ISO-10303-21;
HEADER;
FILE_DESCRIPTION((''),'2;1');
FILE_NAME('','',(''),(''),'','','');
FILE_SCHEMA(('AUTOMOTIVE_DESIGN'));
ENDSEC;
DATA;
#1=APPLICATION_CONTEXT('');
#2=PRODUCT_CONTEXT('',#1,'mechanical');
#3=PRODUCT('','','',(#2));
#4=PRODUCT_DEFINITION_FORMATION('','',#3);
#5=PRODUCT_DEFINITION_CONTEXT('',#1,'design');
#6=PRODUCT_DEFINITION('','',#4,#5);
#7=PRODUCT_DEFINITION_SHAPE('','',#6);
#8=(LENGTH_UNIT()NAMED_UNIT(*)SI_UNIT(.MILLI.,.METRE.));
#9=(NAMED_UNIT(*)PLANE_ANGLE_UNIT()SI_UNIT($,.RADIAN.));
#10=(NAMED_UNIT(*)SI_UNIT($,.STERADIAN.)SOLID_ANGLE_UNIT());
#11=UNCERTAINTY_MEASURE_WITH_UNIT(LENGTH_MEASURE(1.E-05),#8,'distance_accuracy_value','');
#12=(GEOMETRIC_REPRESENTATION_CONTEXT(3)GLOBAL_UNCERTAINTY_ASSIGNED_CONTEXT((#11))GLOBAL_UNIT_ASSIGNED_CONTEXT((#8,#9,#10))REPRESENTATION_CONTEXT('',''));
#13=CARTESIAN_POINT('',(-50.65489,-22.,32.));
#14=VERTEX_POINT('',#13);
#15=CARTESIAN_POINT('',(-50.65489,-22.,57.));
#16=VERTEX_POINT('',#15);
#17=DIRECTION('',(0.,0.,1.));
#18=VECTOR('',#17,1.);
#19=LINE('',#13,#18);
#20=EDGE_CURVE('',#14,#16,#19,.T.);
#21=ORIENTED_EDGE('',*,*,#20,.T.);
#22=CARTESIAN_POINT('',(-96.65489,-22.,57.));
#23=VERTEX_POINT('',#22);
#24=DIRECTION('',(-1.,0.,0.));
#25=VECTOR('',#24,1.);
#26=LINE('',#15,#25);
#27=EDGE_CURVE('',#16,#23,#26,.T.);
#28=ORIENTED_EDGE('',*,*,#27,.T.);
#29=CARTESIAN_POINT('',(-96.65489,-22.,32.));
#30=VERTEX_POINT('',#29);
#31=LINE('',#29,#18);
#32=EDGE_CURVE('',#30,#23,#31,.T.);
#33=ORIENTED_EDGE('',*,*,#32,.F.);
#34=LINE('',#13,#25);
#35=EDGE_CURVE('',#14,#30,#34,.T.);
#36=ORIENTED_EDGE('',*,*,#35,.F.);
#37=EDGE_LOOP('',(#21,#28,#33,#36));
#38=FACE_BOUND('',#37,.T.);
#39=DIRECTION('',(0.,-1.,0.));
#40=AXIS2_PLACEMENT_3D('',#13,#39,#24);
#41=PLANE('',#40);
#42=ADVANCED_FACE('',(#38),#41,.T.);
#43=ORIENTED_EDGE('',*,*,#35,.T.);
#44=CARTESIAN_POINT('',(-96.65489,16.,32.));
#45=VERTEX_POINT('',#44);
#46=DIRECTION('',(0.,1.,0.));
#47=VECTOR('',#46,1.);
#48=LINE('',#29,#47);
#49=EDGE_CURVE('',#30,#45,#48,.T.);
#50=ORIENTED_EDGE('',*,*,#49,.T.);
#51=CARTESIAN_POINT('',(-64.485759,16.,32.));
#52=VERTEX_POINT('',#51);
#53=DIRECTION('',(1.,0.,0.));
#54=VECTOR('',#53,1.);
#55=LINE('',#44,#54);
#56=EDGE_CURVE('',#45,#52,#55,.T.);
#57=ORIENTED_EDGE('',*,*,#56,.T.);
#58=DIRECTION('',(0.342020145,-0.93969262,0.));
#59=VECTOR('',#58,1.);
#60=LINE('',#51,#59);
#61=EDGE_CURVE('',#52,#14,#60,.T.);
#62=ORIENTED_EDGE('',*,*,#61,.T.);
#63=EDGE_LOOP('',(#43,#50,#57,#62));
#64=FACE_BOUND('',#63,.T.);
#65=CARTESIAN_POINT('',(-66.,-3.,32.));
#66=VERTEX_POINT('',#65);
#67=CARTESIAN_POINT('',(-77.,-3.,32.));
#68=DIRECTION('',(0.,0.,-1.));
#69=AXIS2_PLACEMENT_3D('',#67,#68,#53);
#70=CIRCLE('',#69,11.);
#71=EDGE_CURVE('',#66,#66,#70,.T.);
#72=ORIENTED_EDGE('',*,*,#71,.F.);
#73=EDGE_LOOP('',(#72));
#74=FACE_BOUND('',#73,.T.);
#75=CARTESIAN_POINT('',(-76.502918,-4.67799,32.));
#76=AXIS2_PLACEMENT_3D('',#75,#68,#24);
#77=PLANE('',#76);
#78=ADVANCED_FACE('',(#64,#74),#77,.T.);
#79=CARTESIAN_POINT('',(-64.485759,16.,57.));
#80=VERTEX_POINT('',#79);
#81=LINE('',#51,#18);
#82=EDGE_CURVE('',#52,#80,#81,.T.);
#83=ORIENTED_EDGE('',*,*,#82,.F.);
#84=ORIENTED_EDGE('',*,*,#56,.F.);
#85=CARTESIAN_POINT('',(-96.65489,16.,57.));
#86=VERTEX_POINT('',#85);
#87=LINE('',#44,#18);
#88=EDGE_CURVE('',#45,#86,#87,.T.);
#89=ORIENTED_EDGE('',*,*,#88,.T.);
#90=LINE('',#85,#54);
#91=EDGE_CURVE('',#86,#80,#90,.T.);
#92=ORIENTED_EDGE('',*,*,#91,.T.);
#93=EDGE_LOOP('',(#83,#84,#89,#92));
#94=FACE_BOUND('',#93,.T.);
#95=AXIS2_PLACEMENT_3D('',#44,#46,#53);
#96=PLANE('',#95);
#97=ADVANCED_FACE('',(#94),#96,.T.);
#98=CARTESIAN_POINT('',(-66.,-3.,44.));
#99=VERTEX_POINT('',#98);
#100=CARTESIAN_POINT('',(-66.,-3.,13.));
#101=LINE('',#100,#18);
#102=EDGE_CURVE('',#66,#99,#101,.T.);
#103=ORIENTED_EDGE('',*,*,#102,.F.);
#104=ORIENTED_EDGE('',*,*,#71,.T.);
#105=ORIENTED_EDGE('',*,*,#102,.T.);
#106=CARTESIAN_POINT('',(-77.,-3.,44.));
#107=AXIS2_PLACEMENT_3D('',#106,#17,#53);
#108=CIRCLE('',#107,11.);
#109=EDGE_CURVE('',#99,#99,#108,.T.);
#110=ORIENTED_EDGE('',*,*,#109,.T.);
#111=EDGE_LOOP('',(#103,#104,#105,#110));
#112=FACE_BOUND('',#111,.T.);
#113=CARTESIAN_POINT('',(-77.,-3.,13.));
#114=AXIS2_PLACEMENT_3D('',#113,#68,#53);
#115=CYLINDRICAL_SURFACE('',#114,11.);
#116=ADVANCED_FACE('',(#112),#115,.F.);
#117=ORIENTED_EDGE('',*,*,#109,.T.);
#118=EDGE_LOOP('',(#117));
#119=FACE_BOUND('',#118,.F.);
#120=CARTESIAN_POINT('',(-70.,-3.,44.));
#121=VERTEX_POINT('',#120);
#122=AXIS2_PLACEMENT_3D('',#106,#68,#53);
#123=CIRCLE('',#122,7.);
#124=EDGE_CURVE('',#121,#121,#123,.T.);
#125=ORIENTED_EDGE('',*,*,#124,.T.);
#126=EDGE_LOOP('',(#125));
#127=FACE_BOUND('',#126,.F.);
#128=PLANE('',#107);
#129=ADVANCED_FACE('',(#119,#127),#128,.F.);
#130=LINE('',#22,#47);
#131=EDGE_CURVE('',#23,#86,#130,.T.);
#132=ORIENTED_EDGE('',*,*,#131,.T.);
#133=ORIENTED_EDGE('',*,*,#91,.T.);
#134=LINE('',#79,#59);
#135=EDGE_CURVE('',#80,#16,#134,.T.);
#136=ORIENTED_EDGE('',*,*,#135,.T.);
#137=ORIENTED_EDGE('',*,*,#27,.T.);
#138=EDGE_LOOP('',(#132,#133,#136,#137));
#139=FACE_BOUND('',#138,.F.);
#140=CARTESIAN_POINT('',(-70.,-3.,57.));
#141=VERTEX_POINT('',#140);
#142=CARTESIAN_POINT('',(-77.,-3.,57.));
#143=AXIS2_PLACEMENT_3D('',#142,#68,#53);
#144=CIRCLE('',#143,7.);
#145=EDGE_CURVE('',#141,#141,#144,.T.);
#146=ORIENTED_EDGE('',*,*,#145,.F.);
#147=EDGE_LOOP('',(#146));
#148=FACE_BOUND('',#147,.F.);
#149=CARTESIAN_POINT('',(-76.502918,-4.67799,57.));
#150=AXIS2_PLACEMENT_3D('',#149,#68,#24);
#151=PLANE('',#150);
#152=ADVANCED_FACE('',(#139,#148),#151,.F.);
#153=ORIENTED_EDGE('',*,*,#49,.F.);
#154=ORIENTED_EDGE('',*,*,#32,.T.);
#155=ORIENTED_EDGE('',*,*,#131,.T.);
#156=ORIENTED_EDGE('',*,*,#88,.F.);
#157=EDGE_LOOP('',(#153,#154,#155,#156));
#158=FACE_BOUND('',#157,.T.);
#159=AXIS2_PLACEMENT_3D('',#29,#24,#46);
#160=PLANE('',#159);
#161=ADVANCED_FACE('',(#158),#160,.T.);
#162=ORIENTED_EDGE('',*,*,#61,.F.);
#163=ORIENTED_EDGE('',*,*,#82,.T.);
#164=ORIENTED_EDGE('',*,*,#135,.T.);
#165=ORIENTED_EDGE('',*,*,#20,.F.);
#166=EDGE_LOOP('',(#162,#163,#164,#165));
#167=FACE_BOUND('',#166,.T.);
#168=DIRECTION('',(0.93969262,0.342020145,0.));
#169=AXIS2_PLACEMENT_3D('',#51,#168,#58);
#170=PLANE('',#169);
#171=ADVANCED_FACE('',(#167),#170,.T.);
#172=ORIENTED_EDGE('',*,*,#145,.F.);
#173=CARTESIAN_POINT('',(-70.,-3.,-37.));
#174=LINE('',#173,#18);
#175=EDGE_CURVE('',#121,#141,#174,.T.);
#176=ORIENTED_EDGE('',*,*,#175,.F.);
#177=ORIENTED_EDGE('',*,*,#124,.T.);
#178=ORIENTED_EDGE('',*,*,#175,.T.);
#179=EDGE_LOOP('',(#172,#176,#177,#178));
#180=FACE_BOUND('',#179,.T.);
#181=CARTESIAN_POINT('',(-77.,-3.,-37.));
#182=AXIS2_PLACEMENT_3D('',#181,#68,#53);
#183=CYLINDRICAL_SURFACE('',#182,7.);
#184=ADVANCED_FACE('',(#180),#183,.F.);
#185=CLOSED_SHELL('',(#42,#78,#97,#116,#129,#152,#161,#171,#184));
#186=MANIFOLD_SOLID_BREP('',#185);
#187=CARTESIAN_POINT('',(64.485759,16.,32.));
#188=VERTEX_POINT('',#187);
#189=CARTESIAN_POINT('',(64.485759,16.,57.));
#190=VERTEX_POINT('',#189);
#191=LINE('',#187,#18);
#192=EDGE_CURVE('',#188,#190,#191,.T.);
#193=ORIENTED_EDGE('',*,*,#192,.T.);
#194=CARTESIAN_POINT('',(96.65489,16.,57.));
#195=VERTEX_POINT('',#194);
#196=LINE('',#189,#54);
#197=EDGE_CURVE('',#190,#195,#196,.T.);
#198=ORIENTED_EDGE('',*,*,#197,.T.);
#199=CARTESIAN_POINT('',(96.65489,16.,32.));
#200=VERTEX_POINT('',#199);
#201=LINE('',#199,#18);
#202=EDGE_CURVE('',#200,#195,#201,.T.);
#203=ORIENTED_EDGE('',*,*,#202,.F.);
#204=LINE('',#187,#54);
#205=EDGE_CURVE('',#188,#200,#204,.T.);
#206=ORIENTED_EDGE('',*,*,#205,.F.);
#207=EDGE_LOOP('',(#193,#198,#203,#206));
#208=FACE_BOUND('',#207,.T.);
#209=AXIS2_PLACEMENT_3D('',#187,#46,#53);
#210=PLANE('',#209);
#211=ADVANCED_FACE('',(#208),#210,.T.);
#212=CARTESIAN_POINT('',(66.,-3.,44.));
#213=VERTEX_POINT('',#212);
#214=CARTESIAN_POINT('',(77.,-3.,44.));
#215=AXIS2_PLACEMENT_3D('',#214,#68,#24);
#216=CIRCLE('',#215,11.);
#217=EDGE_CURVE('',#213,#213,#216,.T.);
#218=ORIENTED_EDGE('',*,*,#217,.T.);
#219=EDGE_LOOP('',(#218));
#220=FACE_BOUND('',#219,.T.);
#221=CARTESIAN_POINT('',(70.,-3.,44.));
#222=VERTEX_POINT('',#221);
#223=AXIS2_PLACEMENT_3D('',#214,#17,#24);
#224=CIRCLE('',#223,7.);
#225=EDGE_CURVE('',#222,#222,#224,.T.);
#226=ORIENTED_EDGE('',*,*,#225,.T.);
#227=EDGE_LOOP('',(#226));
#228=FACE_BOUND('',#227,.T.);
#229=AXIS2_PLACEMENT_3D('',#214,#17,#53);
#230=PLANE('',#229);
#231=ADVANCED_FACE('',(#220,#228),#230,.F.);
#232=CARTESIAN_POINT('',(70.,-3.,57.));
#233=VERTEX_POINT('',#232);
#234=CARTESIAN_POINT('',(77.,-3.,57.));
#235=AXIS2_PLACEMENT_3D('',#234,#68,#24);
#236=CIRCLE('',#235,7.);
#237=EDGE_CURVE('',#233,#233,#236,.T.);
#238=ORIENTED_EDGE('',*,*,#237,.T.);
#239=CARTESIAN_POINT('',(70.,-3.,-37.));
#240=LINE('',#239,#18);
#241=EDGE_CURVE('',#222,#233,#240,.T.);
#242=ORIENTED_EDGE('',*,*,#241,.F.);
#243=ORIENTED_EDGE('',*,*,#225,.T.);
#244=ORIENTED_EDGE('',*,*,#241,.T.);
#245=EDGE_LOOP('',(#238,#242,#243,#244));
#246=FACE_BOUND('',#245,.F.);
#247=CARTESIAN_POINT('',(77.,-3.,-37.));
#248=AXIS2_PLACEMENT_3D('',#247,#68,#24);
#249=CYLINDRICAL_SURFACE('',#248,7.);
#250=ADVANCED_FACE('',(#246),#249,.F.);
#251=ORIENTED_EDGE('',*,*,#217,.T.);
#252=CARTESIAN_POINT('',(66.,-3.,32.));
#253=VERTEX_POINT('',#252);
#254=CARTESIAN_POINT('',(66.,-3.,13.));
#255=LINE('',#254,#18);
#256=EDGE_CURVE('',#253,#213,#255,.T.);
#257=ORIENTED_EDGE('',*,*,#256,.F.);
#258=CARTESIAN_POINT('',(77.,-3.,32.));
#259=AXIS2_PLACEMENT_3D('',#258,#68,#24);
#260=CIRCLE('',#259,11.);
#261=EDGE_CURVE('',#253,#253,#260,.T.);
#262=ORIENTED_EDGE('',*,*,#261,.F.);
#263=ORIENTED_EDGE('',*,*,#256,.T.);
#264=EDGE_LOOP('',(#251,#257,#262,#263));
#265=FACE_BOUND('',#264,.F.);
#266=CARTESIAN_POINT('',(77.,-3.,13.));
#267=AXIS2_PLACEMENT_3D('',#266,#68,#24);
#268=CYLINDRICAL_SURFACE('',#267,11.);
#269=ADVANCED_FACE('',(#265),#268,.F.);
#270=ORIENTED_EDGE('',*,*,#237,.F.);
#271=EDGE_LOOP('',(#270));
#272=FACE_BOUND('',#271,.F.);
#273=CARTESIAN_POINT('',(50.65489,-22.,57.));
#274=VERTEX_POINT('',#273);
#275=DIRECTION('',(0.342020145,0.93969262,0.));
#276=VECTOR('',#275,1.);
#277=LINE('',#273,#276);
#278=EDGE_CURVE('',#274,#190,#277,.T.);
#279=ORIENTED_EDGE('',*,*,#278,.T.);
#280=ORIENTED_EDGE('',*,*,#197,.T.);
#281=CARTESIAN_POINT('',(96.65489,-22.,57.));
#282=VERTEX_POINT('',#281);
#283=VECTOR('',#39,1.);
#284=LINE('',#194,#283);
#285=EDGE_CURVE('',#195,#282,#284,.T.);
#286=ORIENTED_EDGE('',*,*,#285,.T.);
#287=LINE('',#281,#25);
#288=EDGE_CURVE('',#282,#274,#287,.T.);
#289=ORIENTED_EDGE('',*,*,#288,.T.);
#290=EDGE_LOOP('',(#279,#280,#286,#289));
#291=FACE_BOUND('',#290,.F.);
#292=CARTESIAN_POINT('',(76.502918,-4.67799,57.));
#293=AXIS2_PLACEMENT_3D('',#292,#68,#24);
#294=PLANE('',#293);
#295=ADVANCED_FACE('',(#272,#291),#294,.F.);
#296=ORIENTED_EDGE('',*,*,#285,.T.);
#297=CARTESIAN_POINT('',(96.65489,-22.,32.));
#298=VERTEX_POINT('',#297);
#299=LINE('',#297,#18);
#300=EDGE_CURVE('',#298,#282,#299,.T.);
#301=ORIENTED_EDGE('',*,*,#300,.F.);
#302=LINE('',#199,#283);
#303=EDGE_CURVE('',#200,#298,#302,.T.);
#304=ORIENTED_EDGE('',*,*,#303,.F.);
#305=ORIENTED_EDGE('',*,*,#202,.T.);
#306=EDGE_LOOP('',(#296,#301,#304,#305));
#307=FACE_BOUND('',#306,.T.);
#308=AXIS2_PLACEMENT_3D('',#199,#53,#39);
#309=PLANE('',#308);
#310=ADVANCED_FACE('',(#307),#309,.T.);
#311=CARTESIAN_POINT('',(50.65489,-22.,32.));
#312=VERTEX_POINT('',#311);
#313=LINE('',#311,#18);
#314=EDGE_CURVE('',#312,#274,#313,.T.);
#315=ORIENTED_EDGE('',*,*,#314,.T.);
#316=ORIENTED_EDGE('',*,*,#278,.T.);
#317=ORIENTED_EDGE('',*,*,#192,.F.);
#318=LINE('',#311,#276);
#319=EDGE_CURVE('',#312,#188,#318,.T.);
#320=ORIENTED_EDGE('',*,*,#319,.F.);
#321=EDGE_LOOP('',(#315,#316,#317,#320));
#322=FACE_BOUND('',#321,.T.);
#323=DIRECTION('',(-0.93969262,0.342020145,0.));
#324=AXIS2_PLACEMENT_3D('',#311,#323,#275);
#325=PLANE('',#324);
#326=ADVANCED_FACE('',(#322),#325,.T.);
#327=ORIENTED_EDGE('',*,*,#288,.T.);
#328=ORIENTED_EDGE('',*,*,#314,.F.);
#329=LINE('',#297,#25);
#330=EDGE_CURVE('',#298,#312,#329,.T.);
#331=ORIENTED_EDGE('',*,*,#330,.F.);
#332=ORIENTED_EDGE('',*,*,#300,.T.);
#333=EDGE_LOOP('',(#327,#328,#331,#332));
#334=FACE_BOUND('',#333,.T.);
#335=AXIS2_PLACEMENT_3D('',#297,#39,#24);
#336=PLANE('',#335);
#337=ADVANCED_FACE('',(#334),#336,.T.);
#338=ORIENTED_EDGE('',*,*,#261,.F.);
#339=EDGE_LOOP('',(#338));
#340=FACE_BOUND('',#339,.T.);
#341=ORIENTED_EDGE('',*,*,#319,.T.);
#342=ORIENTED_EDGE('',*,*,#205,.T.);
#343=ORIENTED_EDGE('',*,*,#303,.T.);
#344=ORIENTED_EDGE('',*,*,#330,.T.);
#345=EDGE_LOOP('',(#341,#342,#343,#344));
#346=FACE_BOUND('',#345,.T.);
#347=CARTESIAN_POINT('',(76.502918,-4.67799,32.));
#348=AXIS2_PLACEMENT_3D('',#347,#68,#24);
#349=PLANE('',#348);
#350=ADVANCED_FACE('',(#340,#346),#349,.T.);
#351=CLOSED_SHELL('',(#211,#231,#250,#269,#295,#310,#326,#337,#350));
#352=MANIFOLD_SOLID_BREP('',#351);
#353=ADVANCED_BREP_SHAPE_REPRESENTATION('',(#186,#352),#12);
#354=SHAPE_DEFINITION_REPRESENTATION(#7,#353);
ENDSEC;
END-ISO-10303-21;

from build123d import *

# Parameters (mm, degrees)
CYLINDER004_R     = 7
CYLINDER004_DEPTH = 150
CYLINDER003_R     = 11
CYLINDER003_DEPTH = 31
PAD011_DEPTH      = 25


with BuildPart() as axe:
    # Cylinder004 → Cylinder004 (new body)
    with BuildSketch(Plane.XY.offset(-50)):
        Circle(CYLINDER004_R)
    extrude(amount=CYLINDER004_DEPTH)


with BuildPart() as clone_of_ball_slider:
    # Cylinder003 → Cylinder003 (new body)
    with BuildSketch(Plane.XY):
        Circle(CYLINDER003_R)
    extrude(amount=CYLINDER003_DEPTH)

    # Fusion003: union axe
    add(axe.part)


with BuildPart() as clone_of_ball_slider_1:
    # Clone017 placement: moved
    add(clone_of_ball_slider.part.moved(Location((-77, -3, 13))))


with BuildPart() as part_mirroring002:
    # Part__Mirroring002: instance of Clone of ball slider
    add(clone_of_ball_slider_1.part.mirror(Plane(origin=(0, 0, 0), x_dir=(0, -1, 0), z_dir=(1, 0, 0))))


with BuildPart() as ball_sliders:
    # Fusion004 base: copy of Clone of ball slider
    add(clone_of_ball_slider_1.part)

    # Fusion004: union Part__Mirroring002
    add(part_mirroring002.part)


with BuildPart() as cut006008:
    # Sketch010 → Pad011 (new body)
    with BuildSketch(Plane.XY):
        Polygon((-96.65489, 16), (-64.485759, 16), (-50.65489, -22), (-96.65489, -22), align=None)
        Polygon((64.485759, 16), (96.65489, 16), (96.65489, -22), (50.65489, -22), align=None)
    extrude(amount=PAD011_DEPTH)


with BuildPart() as cut006008_1:
    # Clone014 placement: moved
    add(cut006008.part.moved(Location((0, 0, 32))))

    # Cut006008: cut ball_sliders
    add(ball_sliders.part, mode=Mode.SUBTRACT)


solid = cut006008_1.part
